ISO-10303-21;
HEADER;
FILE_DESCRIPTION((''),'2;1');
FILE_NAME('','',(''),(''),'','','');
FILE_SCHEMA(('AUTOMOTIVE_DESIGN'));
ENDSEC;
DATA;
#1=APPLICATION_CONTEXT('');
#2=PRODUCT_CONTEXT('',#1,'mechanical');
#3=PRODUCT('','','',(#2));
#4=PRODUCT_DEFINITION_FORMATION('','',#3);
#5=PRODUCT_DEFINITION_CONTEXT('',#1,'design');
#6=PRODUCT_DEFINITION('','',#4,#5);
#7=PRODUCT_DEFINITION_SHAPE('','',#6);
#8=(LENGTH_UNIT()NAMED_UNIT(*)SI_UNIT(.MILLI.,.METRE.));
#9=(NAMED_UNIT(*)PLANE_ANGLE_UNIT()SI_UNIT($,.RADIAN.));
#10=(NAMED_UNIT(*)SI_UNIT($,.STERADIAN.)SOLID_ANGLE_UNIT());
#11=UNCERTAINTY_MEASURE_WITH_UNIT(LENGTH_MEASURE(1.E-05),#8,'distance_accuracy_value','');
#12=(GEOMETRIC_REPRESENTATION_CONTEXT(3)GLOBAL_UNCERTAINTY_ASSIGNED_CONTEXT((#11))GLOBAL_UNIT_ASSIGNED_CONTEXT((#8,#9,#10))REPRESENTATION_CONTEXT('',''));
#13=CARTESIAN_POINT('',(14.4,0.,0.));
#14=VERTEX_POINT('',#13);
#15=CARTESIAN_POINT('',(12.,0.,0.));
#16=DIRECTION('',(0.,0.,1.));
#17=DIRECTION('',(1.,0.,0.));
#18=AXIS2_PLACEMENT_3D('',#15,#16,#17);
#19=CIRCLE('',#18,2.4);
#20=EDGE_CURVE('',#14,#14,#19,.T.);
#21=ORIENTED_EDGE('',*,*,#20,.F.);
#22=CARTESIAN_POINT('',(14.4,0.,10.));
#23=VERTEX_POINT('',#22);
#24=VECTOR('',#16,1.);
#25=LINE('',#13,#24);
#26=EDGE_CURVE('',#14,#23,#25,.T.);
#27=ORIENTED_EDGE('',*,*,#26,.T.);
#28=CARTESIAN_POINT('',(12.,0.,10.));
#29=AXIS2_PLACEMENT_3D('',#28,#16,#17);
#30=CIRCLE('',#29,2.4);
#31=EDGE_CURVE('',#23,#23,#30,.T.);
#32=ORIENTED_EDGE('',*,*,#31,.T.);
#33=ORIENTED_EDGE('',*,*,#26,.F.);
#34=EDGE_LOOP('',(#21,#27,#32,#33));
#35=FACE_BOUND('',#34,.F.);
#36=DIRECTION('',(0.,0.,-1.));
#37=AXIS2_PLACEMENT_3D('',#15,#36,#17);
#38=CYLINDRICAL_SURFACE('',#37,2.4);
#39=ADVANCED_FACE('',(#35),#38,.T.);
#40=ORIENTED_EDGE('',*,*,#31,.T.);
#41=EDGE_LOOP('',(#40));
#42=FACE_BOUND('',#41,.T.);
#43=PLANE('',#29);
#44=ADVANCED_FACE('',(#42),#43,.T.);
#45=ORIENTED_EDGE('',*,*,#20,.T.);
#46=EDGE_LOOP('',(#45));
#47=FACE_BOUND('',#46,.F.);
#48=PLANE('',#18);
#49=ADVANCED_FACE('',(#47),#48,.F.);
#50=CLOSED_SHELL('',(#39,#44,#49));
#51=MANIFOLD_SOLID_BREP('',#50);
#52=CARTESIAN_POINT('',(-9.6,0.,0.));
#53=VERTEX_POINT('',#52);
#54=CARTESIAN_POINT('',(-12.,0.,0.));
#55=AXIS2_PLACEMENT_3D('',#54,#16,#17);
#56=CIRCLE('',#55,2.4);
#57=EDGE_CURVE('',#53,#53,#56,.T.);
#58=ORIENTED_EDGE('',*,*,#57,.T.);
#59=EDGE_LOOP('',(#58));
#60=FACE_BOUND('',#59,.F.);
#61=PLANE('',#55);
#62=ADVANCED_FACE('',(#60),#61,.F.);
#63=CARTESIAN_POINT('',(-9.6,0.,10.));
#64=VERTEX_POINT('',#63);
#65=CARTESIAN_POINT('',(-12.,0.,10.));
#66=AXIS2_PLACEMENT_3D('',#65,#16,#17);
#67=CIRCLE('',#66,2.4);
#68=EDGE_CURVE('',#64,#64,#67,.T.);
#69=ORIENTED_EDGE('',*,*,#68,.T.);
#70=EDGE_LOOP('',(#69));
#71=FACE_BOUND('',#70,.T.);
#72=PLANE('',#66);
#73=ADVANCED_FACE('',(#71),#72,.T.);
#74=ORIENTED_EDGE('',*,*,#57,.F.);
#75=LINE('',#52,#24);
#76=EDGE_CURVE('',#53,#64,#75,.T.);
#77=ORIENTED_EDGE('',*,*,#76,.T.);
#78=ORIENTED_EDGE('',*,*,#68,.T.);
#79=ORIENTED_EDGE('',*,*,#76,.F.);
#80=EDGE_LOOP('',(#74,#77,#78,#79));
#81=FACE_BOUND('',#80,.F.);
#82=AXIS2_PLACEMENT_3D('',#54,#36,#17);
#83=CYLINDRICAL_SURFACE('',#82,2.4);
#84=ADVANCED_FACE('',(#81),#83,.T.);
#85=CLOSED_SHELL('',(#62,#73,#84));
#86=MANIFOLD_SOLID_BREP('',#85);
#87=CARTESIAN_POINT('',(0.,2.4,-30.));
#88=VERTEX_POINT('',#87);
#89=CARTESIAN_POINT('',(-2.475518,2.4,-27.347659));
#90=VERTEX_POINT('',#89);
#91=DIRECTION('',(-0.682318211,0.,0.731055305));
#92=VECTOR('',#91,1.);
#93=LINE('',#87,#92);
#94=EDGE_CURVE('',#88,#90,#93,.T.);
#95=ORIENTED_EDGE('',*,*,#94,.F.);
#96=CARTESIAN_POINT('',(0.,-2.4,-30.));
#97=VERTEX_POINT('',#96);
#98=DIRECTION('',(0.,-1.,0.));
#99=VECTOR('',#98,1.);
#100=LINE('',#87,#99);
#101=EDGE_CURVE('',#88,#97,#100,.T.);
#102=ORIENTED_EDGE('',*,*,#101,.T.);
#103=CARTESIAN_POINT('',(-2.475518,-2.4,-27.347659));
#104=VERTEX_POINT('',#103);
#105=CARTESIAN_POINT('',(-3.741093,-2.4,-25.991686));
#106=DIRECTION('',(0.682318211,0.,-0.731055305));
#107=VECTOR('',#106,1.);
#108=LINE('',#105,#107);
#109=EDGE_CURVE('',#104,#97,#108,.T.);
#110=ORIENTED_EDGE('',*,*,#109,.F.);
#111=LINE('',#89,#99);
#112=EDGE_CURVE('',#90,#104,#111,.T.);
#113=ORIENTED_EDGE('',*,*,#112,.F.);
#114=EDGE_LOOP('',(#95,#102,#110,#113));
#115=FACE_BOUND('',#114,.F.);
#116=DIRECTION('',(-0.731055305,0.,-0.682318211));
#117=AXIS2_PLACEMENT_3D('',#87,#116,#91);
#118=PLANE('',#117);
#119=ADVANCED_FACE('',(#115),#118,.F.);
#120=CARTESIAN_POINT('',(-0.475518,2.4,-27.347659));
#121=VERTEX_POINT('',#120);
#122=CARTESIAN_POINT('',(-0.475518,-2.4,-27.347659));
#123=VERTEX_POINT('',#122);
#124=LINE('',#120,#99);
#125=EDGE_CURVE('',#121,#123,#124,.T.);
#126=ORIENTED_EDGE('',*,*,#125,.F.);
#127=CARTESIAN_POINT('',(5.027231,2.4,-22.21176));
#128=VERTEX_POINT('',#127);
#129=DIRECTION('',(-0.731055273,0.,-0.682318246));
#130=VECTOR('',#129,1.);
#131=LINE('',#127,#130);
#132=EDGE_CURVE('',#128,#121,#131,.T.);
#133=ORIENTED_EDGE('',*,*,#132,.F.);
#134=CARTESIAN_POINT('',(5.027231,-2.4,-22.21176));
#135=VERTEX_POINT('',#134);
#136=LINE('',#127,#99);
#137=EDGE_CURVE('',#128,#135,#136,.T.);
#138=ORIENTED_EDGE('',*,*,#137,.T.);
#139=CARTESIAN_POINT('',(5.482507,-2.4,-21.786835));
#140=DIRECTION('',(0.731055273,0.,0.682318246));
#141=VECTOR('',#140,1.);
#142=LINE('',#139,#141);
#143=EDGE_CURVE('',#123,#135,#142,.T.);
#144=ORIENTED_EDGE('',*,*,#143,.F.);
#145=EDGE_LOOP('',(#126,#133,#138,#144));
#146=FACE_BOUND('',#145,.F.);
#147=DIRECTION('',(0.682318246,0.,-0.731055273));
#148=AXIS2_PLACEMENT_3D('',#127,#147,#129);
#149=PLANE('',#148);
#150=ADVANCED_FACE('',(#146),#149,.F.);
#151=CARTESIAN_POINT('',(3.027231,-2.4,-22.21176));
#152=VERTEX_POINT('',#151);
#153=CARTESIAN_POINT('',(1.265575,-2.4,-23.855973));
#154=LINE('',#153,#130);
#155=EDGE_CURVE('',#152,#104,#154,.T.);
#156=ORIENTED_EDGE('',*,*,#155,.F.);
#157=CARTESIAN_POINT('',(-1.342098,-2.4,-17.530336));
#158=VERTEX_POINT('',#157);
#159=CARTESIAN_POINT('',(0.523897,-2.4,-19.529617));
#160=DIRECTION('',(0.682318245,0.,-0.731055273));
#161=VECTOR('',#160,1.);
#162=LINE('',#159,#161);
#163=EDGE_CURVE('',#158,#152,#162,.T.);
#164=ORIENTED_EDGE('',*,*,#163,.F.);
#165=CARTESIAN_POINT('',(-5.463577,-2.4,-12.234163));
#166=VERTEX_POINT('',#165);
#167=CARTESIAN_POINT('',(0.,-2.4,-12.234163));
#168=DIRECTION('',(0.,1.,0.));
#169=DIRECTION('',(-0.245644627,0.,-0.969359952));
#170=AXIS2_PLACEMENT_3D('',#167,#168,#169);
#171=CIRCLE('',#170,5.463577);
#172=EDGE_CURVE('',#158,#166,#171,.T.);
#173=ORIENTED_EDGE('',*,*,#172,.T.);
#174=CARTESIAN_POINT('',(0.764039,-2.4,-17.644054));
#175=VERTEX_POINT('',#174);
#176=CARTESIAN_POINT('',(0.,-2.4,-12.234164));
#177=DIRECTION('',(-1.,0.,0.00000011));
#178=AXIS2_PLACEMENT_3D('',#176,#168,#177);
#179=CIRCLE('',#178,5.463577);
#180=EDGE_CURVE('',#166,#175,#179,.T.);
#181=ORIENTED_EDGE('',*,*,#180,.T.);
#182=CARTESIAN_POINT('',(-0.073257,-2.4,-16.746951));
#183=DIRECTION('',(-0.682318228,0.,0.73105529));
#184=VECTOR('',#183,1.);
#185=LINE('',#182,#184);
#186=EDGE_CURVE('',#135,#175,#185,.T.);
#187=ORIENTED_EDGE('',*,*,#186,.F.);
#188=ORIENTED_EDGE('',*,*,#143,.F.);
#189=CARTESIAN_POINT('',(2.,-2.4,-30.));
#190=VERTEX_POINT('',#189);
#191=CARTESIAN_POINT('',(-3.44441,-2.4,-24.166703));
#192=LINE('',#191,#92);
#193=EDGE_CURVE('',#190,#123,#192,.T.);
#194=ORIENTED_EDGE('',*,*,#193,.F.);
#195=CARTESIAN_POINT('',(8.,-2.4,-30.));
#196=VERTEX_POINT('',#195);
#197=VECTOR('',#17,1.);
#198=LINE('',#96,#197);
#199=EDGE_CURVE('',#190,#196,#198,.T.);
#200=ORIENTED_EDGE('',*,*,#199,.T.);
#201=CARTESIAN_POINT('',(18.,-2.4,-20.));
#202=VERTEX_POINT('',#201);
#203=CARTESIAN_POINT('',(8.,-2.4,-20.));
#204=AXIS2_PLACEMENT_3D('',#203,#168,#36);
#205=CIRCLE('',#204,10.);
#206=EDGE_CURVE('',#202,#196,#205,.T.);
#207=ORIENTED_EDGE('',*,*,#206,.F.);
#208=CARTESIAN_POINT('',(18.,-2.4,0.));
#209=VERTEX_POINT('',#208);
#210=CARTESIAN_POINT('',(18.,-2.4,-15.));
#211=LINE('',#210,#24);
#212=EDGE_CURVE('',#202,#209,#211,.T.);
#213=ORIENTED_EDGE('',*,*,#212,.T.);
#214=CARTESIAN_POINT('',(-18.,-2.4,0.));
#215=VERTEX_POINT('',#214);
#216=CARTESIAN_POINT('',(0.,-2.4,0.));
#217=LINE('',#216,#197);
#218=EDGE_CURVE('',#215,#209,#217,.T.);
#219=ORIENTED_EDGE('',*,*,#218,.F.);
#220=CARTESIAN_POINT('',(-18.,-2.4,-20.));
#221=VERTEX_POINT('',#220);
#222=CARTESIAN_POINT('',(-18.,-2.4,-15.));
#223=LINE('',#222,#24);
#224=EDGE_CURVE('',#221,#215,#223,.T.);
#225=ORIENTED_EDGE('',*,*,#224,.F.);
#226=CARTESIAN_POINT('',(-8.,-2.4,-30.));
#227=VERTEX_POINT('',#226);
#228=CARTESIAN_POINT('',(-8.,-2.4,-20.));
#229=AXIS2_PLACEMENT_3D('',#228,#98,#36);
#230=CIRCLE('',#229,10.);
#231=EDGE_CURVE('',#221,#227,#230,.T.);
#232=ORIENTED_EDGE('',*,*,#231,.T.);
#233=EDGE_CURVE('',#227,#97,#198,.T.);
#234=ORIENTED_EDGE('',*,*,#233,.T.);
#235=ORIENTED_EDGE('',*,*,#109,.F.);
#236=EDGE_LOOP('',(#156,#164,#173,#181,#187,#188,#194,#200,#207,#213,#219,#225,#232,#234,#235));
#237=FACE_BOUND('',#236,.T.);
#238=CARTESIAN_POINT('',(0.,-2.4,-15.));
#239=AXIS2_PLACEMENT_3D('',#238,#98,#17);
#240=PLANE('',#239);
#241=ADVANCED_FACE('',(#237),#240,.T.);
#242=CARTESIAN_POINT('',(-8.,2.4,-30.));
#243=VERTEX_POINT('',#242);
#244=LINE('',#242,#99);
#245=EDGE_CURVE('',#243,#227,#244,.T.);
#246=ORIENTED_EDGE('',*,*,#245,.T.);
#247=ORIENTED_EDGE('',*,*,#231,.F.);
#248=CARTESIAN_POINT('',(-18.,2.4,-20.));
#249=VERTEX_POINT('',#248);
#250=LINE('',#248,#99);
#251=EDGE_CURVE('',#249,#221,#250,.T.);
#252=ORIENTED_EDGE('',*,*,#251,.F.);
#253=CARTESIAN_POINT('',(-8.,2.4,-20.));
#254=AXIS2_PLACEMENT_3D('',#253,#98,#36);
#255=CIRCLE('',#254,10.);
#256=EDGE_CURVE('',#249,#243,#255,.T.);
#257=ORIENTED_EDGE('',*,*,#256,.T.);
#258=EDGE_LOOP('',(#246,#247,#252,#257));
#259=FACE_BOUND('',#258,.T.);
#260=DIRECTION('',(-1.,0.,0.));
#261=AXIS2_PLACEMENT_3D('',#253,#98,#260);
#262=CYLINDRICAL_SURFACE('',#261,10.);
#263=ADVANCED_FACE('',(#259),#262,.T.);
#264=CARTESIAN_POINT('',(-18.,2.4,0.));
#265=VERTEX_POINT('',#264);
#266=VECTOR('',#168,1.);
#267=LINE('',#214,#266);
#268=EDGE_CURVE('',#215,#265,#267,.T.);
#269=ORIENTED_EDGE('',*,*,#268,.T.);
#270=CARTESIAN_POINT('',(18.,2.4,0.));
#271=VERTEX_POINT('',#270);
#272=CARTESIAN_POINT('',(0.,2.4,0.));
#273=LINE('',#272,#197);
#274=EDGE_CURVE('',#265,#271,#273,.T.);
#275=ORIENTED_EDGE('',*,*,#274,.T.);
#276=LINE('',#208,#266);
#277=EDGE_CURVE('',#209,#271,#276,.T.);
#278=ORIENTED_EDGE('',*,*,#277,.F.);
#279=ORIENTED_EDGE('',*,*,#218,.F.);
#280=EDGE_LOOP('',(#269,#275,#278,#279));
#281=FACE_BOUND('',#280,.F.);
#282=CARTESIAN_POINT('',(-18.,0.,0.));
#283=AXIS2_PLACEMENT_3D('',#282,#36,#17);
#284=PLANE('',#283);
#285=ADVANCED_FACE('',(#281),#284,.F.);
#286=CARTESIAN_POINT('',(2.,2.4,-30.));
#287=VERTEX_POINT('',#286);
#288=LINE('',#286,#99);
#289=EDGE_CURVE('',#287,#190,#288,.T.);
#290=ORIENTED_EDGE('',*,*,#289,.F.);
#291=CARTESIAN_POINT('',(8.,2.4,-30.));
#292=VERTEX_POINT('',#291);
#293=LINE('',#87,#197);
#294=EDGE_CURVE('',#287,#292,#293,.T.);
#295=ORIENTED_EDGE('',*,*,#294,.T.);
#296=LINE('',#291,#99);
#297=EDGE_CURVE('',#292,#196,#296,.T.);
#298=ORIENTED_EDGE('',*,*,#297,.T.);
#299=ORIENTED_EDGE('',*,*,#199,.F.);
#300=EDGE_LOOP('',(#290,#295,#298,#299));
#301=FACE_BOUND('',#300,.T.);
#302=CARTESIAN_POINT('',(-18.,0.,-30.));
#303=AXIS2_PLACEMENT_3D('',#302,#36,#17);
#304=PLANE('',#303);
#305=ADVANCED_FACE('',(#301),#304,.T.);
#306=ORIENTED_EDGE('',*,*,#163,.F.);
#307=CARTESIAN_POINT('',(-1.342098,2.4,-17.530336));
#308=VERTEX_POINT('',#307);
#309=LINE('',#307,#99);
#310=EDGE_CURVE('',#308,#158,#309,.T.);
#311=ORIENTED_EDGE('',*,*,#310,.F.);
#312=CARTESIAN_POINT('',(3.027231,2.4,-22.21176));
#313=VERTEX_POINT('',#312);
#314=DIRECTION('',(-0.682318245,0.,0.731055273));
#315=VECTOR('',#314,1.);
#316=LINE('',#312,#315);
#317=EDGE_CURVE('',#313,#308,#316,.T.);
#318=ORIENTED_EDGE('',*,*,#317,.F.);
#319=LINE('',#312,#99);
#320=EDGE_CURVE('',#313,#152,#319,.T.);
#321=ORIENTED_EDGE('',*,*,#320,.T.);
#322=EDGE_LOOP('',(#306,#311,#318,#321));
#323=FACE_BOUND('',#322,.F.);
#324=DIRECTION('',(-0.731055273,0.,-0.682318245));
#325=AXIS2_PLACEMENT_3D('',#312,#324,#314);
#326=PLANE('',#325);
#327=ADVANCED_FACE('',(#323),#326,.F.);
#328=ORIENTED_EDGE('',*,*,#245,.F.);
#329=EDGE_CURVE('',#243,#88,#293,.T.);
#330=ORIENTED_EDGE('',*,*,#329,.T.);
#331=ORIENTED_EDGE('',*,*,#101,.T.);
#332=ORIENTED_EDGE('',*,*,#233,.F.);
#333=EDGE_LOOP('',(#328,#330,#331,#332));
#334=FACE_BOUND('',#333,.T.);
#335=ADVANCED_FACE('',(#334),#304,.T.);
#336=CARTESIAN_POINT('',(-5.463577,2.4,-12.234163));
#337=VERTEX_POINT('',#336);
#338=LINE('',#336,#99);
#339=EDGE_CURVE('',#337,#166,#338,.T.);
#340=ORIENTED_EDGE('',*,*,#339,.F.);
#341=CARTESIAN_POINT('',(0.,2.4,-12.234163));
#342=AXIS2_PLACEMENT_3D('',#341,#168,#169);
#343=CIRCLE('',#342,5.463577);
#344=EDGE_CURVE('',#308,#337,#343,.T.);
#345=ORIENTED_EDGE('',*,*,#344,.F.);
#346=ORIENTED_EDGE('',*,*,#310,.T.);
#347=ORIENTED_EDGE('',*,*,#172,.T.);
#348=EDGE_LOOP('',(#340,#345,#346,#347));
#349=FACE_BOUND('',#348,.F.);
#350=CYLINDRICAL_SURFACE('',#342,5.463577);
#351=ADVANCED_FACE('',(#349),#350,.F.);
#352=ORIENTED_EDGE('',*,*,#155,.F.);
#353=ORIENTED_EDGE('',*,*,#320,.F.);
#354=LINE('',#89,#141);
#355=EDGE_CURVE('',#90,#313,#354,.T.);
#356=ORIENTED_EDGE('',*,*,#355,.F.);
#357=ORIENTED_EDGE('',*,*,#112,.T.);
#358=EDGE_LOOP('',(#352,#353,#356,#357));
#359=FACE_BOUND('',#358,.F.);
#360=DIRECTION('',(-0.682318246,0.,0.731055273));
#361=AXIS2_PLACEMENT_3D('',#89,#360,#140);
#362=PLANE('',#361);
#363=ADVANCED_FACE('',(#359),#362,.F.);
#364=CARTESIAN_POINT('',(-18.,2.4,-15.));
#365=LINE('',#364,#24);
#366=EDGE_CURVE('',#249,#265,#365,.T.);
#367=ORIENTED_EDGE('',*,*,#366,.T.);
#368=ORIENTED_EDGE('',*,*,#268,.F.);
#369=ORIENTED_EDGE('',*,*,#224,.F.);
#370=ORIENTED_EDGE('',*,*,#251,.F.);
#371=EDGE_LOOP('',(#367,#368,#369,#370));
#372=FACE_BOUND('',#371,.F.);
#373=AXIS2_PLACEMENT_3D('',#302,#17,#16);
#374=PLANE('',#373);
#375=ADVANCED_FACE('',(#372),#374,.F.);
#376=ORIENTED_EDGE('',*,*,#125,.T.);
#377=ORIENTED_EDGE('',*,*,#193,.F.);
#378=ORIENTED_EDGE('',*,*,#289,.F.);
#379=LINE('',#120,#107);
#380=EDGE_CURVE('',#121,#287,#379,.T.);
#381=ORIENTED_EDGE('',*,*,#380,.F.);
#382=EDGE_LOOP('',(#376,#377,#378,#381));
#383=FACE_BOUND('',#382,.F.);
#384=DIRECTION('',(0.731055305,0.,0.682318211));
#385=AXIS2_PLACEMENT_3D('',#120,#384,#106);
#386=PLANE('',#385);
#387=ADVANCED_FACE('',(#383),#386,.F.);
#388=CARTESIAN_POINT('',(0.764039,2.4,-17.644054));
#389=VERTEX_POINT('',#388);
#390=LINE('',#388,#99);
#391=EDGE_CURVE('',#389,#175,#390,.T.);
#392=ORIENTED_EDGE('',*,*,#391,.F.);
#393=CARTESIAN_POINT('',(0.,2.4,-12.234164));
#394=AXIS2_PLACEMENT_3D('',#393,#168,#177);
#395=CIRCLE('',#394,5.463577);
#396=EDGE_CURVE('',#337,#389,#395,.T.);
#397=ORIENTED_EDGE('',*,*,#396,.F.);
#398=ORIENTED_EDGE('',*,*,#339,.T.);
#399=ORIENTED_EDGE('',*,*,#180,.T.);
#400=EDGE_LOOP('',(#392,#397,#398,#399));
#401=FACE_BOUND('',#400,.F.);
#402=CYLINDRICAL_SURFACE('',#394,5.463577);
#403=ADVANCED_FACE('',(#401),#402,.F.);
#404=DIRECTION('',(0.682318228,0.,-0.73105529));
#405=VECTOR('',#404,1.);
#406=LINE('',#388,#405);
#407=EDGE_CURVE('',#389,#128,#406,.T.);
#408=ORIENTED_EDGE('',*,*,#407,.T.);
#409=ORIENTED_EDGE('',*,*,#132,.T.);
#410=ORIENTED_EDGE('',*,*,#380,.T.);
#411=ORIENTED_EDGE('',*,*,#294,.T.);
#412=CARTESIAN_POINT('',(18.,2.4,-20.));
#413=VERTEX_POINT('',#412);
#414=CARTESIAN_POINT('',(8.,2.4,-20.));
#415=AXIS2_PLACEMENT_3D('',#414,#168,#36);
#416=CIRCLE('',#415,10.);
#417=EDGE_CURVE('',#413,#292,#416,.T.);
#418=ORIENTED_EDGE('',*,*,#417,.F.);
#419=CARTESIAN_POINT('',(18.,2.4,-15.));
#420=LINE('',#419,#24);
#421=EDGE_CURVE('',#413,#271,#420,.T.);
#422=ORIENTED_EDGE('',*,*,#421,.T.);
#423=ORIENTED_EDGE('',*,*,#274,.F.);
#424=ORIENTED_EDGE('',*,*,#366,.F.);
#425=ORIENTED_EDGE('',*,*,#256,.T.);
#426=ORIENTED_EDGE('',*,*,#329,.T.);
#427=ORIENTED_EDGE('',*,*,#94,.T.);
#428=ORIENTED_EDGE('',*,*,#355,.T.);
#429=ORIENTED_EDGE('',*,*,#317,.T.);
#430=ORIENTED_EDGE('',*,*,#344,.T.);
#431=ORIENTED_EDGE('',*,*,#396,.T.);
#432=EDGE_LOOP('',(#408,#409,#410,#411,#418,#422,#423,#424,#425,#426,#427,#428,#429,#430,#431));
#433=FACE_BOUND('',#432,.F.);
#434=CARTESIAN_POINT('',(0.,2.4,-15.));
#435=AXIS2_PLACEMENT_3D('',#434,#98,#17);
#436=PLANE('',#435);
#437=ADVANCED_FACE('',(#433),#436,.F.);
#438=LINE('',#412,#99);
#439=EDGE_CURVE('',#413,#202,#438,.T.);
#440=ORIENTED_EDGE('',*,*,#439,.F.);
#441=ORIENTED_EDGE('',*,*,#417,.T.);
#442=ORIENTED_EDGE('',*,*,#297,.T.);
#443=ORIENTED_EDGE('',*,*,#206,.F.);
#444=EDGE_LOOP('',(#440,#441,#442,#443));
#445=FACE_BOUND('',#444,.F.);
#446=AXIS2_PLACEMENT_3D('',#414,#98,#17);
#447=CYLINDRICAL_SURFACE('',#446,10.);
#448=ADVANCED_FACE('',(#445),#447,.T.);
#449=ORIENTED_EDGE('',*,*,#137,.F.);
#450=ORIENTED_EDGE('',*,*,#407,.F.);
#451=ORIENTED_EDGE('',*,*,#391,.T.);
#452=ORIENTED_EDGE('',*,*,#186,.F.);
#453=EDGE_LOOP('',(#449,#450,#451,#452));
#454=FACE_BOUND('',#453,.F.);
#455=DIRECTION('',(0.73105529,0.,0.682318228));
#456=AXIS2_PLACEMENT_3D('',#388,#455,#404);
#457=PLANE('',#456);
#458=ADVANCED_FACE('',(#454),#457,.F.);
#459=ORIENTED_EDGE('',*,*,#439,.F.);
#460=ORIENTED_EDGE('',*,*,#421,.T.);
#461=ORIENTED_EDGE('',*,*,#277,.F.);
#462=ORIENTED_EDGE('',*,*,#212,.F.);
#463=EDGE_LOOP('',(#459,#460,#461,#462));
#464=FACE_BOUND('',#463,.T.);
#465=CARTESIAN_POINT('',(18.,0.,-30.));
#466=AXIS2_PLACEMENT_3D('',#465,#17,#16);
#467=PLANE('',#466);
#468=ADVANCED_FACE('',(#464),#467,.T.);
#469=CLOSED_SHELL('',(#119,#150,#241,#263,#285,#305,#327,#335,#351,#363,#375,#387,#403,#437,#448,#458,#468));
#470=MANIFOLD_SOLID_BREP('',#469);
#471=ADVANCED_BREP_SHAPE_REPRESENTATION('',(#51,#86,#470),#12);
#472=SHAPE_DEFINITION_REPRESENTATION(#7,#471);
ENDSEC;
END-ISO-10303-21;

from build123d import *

# Parameters (mm, degrees)
F0_R     = 2.4
F1_DEPTH = 10
F2_W     = 36
F2_H     = 30
F3_DEPTH = 2.4
F4_R     = 10
F6_DEPTH = 25


with BuildPart() as f1:
    # F0 (on Top) → F1 (new body)
    with BuildSketch(Plane.XY):
        with Locations((-12, 0)):
            Circle(F0_R)
        with Locations((12, 0)):
            Circle(F0_R)
    extrude(amount=F1_DEPTH)


with BuildPart() as f3:
    # F2 (on Front) → F3 (new body, symmetric)
    with BuildSketch(Plane.XZ):
        with Locations((0, -15)):
            Rectangle(F2_W, F2_H)
    extrude(amount=F3_DEPTH, both=True)

    # F4
    f4_edges = [f3.edges().sort_by_distance(p)[0] for p in [
        (18, 0, -30),
        (-18, 0, -30),
    ]]
    fillet(f4_edges, radius=F4_R)

    # F5 (on face) → F6 (cut)
    with BuildSketch(Plane(origin=(0, 2.4, 0), x_dir=(-1, 0, 0), z_dir=(0, 1, 0))):
        with BuildLine():
            ThreePointArc((1.342098, -17.530336), (4.311805, -15.589608), (5.463577, -12.234163))
            ThreePointArc((5.463577, -12.234163), (-3.583035, -8.109539), (-0.764039, -17.644054))
            ThreePointArc((-0.764039, -17.644054), (0.294569, -17.689794), (1.342098, -17.530336))
        make_face()
        with BuildLine():
            ThreePointArc((1.342098, -17.530336), (0.294569, -17.689794), (-0.764039, -17.644054))
            Line((-0.764039, -17.644054), (-5.027231, -22.21176))
            Line((-5.027231, -22.21176), (0.475518, -27.347659))
            Line((0.475518, -27.347659), (-2, -30))
            Line((-2, -30), (0, -30))
            Line((0, -30), (2.475518, -27.347659))
            Line((2.475518, -27.347659), (-3.027231, -22.21176))
            Line((-3.027231, -22.21176), (1.342098, -17.530336))
        make_face()
    extrude(amount=-F6_DEPTH, mode=Mode.SUBTRACT)


solid = Compound([f1.part, f3.part])
